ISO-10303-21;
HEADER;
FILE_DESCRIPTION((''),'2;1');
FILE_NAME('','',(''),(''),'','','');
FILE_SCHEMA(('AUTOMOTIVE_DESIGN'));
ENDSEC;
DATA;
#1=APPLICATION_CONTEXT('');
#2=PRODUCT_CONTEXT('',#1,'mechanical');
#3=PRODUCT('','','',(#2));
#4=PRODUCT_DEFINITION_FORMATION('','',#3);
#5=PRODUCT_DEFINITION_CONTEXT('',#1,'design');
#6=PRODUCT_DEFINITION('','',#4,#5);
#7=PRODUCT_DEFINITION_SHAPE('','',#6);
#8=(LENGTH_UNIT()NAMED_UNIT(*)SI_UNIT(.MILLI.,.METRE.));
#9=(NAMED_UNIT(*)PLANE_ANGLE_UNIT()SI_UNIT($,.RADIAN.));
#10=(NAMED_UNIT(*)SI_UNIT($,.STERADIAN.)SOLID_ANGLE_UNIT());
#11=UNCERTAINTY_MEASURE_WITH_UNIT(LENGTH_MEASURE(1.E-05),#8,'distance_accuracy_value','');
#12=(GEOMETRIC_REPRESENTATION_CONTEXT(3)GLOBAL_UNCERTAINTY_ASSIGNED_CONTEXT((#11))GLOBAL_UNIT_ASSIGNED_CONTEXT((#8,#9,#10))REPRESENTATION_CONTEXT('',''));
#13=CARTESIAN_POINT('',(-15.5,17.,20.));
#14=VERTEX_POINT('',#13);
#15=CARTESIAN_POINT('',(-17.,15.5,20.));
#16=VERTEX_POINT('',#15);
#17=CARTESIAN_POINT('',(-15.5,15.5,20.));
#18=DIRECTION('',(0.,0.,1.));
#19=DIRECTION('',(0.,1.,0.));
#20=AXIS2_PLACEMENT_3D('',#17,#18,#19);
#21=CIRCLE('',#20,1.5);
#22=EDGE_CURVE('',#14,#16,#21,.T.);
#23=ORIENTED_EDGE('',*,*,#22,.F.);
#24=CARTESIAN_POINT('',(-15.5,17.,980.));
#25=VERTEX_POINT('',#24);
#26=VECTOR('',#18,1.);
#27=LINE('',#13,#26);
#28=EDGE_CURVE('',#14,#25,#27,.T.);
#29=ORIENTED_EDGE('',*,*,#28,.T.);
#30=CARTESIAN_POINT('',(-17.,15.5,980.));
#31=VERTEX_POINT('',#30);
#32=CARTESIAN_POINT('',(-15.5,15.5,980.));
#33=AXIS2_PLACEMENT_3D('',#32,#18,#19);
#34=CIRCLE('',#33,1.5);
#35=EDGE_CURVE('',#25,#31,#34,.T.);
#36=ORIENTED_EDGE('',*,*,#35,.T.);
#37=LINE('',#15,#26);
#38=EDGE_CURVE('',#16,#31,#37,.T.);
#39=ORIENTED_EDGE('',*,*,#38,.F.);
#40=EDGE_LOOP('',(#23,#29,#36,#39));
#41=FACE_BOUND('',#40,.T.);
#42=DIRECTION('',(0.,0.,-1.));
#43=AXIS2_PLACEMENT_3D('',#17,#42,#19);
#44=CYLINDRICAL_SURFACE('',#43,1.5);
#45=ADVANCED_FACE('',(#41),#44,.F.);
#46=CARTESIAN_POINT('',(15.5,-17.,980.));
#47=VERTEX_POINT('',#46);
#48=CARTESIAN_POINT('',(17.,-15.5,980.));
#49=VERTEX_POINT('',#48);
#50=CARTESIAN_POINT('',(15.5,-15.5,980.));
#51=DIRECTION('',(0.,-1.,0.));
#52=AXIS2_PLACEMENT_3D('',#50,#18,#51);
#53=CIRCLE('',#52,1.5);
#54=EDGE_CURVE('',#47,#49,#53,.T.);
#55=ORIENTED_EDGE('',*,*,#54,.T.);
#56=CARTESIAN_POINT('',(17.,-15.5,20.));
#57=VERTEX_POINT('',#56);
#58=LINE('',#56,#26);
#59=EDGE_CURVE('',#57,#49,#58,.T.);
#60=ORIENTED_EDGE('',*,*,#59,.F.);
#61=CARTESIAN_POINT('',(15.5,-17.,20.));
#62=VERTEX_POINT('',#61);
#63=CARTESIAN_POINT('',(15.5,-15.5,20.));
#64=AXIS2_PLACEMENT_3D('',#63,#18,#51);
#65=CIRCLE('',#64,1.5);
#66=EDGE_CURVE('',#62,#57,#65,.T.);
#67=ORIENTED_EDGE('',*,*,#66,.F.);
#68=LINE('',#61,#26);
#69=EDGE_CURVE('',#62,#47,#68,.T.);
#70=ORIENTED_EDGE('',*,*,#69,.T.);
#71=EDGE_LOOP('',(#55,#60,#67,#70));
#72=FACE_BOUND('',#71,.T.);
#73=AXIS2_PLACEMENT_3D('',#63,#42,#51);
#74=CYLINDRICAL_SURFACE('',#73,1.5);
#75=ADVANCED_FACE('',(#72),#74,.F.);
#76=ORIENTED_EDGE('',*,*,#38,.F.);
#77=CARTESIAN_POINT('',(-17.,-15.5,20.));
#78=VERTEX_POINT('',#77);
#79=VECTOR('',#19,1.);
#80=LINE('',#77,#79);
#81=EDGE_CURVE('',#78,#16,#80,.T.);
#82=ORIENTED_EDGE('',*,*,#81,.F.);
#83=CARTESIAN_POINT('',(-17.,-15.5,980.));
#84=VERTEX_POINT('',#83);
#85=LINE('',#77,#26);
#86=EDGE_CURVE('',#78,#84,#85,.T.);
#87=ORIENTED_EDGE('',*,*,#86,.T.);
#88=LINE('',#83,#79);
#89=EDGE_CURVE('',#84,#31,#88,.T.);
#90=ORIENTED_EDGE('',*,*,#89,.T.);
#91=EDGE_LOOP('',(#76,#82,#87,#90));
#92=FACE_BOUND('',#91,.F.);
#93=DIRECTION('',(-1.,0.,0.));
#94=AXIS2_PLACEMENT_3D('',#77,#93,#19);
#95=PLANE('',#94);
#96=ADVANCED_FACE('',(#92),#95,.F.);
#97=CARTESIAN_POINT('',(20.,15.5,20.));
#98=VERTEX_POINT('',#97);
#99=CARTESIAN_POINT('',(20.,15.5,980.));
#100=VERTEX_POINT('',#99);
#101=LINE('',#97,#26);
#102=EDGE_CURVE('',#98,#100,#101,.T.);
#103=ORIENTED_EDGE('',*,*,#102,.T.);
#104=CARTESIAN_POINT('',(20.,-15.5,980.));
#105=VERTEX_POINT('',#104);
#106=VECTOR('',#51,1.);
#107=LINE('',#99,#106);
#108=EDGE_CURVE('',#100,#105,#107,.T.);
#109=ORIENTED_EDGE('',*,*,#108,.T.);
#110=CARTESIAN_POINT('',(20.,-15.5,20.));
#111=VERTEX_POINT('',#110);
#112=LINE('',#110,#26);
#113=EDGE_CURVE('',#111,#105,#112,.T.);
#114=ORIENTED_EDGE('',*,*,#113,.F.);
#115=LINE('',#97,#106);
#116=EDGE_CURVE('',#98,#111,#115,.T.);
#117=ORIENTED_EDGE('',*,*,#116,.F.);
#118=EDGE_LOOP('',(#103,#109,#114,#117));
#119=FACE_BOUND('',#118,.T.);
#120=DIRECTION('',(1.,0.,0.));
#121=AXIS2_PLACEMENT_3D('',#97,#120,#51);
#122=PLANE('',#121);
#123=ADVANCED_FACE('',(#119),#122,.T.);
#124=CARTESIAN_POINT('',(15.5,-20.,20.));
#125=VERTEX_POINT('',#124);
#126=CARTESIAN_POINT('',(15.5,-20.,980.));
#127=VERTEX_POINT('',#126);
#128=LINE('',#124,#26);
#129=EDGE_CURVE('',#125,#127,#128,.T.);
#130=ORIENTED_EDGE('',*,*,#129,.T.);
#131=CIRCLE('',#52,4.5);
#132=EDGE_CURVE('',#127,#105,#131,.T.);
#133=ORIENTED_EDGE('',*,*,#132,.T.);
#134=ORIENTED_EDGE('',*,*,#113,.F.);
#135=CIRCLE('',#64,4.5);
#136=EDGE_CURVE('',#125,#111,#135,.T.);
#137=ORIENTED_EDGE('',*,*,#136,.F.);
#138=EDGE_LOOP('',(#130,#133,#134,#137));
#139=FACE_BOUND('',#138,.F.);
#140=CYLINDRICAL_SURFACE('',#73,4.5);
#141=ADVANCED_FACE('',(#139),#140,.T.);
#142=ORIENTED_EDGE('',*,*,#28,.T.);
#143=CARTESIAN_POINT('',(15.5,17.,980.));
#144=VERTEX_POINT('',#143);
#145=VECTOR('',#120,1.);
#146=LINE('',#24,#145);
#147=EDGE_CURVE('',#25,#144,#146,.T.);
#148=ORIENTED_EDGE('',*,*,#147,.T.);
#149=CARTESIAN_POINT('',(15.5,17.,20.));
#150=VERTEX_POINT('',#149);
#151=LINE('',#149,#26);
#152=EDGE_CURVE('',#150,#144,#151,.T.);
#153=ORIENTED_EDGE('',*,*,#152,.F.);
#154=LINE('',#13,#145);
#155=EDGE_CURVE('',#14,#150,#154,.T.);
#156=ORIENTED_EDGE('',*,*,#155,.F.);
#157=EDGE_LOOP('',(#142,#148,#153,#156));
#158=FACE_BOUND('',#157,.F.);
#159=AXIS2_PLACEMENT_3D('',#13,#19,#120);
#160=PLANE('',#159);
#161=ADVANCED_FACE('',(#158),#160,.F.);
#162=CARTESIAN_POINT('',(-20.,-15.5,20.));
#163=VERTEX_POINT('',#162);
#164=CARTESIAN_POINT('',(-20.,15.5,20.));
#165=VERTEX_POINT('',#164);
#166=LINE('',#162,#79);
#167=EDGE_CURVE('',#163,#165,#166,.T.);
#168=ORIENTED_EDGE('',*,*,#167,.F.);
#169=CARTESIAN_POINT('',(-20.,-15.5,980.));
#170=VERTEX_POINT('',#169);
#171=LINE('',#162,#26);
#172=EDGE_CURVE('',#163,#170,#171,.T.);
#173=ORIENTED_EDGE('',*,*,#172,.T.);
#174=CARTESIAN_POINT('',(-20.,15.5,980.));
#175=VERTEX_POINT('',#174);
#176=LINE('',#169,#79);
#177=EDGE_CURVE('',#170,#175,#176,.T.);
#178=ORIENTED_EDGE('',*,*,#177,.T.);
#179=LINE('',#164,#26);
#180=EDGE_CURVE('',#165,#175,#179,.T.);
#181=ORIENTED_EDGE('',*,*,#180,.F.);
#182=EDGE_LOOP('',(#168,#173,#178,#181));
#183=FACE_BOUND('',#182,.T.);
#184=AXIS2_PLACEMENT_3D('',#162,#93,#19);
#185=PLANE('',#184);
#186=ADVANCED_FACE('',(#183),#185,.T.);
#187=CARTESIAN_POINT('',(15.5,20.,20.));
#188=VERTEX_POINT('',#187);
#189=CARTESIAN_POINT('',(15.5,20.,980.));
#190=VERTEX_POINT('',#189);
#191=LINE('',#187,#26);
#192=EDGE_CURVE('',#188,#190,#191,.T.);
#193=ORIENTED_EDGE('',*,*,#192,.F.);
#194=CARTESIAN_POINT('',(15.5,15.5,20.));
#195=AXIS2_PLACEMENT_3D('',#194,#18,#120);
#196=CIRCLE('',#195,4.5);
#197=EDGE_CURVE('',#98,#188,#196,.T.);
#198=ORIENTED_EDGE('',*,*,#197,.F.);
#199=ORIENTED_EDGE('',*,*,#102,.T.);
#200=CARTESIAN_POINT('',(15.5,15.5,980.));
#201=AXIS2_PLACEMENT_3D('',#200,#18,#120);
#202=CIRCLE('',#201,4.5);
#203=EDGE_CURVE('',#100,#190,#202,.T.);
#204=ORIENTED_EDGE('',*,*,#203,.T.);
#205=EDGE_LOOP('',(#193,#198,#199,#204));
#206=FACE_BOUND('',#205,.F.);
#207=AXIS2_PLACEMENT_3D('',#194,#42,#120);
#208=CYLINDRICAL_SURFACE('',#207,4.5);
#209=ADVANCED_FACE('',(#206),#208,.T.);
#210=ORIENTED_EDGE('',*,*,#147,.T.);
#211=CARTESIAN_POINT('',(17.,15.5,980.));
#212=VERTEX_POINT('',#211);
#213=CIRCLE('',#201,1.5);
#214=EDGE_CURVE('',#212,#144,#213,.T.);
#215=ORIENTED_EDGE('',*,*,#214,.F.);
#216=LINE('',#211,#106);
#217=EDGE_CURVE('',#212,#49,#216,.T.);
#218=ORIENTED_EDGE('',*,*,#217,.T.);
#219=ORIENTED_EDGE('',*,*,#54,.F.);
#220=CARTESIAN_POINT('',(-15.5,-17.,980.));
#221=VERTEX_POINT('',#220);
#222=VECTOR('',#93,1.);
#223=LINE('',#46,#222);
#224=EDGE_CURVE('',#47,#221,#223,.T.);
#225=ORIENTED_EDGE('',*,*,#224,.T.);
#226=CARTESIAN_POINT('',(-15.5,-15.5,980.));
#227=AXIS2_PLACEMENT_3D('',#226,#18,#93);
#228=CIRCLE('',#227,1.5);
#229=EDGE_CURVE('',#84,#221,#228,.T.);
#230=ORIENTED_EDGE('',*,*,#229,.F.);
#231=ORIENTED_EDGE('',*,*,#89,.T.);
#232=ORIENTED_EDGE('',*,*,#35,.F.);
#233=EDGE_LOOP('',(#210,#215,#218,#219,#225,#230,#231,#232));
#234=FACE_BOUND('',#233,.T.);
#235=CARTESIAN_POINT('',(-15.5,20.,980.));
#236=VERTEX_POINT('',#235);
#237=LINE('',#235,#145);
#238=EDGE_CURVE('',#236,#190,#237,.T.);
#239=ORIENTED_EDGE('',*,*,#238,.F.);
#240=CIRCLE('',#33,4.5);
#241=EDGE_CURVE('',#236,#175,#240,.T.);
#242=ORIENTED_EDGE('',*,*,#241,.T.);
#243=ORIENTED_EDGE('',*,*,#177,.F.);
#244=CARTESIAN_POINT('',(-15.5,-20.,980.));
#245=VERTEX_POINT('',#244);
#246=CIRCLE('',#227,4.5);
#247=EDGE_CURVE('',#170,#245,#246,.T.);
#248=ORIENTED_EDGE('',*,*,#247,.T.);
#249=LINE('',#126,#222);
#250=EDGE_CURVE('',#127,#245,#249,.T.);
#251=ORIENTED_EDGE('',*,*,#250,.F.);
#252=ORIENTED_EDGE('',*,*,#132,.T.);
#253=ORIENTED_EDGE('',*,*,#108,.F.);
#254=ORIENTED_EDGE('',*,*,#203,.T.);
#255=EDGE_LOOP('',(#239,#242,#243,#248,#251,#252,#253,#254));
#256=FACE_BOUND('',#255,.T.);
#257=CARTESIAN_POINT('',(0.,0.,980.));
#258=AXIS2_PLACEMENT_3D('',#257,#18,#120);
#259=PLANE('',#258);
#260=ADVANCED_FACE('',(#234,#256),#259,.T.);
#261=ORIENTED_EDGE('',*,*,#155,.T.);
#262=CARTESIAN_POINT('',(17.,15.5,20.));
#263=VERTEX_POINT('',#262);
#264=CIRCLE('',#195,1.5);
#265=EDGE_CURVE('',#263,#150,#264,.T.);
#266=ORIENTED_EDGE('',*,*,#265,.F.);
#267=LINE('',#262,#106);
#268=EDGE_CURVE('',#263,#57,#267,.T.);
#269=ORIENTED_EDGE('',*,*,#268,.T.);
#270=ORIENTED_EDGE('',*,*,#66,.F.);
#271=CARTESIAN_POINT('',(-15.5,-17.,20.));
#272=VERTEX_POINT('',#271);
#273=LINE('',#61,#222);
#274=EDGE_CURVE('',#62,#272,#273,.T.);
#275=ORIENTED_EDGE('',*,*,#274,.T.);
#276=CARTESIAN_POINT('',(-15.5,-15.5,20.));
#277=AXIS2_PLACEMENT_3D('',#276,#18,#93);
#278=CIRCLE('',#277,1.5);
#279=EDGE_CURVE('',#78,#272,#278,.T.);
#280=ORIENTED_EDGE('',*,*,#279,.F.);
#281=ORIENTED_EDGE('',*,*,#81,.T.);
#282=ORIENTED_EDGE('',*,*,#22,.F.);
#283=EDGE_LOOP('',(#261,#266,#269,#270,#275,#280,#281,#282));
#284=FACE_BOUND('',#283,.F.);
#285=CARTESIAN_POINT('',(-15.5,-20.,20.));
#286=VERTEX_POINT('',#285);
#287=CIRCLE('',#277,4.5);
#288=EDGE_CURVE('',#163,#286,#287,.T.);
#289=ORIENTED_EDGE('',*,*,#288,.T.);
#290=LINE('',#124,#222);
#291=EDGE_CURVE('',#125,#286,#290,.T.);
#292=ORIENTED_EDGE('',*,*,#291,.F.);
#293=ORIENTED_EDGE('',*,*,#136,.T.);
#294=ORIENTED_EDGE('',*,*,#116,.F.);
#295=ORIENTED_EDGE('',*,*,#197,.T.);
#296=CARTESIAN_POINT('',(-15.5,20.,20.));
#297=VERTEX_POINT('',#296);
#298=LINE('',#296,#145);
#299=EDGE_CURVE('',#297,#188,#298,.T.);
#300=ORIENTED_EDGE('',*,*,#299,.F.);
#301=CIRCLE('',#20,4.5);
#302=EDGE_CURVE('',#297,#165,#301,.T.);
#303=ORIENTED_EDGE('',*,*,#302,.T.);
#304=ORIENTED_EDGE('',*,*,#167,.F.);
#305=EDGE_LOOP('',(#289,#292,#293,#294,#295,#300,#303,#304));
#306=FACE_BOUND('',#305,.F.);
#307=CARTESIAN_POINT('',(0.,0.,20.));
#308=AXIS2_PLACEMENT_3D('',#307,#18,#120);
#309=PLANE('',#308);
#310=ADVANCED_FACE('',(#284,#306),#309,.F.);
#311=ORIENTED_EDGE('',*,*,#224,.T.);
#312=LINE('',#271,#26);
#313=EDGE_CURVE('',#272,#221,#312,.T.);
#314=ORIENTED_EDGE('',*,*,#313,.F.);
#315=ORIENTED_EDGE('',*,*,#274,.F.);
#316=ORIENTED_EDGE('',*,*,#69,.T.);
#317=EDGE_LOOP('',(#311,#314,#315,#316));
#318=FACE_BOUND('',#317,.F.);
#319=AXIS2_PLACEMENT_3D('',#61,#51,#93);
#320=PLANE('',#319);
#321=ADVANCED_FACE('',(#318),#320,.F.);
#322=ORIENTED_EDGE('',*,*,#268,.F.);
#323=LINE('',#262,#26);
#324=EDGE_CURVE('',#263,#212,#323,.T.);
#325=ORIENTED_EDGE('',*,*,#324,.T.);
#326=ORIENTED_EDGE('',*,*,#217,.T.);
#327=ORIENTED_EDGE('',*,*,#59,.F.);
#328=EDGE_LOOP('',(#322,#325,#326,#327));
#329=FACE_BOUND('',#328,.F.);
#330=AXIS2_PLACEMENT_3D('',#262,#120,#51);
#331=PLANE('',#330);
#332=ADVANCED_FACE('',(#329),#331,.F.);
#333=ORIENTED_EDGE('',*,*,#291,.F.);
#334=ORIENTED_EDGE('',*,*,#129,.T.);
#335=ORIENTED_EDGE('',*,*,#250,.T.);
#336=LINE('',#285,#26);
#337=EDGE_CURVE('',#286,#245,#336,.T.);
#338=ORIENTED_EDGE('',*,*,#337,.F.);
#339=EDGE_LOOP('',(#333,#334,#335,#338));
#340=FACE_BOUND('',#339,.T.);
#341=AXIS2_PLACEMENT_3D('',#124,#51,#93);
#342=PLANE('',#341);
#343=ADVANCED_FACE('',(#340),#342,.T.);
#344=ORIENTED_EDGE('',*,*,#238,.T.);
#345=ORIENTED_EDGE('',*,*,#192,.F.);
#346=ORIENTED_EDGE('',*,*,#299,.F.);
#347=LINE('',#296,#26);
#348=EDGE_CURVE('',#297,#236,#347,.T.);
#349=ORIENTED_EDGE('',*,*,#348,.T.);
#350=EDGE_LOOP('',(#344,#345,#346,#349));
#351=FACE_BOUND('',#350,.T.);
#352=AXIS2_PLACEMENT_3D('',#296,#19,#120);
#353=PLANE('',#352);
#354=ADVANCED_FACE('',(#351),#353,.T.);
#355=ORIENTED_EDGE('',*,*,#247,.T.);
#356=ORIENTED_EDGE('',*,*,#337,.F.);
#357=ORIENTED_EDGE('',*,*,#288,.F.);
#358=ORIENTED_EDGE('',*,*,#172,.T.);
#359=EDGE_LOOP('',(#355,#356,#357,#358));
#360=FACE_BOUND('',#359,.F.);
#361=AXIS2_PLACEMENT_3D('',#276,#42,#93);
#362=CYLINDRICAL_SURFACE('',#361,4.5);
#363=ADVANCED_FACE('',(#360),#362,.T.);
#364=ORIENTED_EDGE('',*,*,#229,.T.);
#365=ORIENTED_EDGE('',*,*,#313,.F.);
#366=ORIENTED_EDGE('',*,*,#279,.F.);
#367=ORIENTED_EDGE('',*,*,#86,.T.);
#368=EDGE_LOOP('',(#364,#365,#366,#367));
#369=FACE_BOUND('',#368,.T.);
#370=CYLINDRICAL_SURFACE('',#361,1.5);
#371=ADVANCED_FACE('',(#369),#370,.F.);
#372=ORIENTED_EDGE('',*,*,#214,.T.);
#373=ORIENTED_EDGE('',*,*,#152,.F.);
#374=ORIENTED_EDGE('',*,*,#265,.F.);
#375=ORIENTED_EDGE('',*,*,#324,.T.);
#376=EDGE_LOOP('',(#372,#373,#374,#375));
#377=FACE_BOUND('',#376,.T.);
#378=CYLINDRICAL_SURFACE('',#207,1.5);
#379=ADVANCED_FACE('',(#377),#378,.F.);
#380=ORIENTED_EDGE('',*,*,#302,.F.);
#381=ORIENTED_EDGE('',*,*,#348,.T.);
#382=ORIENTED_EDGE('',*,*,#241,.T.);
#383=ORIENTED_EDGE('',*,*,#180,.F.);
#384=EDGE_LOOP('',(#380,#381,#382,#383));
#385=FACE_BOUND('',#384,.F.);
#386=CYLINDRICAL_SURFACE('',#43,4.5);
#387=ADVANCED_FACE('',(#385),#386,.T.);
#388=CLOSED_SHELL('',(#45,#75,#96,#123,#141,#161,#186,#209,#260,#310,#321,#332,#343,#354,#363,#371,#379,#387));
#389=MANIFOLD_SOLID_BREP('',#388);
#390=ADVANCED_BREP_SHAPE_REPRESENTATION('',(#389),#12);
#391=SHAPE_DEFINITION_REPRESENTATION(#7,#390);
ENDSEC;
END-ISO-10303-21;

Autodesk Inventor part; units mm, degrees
ref_plane "Start Plane" through (0, 0, 20) normal (0, 0, 1) x (1, 0, 0)
ref_plane "End Plane" through (0, 0, 980) normal (0, 0, 1) x (1, 0, 0)
sketch "Sketch" plane through (0, 0, 0) normal (0, 0, 1) x (1, 0, 0)
  line L0 (-20, -15.5) -> (-20, 15.5)
  line L1 (-15.5, 20) -> (15.5, 20)
  line L2 (20, 15.5) -> (20, -15.5)
  line L3 (15.5, -20) -> (-15.5, -20)
  arc A0 (-20, -15.5) -> (-15.5, -20) centre (-15.5, -15.5) ccw
  arc A1 (-15.5, 20) -> (-20, 15.5) centre (-15.5, 15.5) ccw
  arc A2 (20, 15.5) -> (15.5, 20) centre (15.5, 15.5) ccw
  arc A3 (15.5, -20) -> (20, -15.5) centre (15.5, -15.5) ccw
  arc A4 (-15.5, 17) -> (-17, 15.5) centre (-15.5, 15.5) ccw
  line L4 (-15.5, 17) -> (15.5, 17)
  arc A5 (17, 15.5) -> (15.5, 17) centre (15.5, 15.5) ccw
  line L5 (17, 15.5) -> (17, -15.5)
  arc A6 (15.5, -17) -> (17, -15.5) centre (15.5, -15.5) ccw
  line L6 (15.5, -17) -> (-15.5, -17)
  arc A7 (-17, -15.5) -> (-15.5, -17) centre (-15.5, -15.5) ccw
  line L7 (-17, -15.5) -> (-17, 15.5)
  line L8 (0, 29.3048) -> (0, -29.3048) construction
  line L9 (-29.3048, 0) -> (29.3048, 0) construction
  dimension "d7" = 4.5
  dimension "d10" = 40
  dimension "d11" = 40
  dimension "d12" = 3
  dimension "d15" = 20
  dimension "d16" = 20
extrude "Body" add sketch "Sketch" along normal up to surface (960 mm away) from surface at 20
sketch "Sketch3" plane through (0, 0, 0) normal (0, 0, 1) x (1, 0, 0)
  line L0 (0, 0) -> (10, 0)
ref_plane "Work Plane3" through (0, 0, 0) normal (0, -1, 0) x (1, 0, 0)
ref_plane "Work Plane4" through (-240, 15.5, 980) normal (0, 0, 1) x (1, 0, 0)
split "Split1" plane through (-240, 15.5, 980) removes the side toward (0, 0, 1)
ref_plane "Work Plane5" through (-240, -15.5, 20) normal (0, 0, -1) x (-1, 0, 0)
split "Split2" plane through (-240, -15.5, 20) removes the side toward (0, 0, -1)
sketch "Sketch4" plane through (0, 0, 0) normal (0, -1, 0) x (1, 0, 0)
  line L0 (-2, 20) -> (12, 20) projected
  line L1 (-2, 980) -> (12, 980) projected
  dimension "d18" = 960
equation "\"d7\" = G_IR"
equation "\"d10\" = G_H"
equation "\"d11\" = G_W"
equation "\"d12\" = G_T"
equation "\"d15\" = 0.5 * d10"
equation "\"d16\" = 0.5 * d11"
equation "\"d3\" = G_L"
equation "\"G_W\" = 40"
equation "\"G_H\" = 40"
equation "\"G_T\" = 3"
equation "\"G_IR\" = 4.5"
equation "\"G_L\" = d18"
properties part number "ISO 12633-2 - 40x40x3 - 960" material "Steel, Mild"
